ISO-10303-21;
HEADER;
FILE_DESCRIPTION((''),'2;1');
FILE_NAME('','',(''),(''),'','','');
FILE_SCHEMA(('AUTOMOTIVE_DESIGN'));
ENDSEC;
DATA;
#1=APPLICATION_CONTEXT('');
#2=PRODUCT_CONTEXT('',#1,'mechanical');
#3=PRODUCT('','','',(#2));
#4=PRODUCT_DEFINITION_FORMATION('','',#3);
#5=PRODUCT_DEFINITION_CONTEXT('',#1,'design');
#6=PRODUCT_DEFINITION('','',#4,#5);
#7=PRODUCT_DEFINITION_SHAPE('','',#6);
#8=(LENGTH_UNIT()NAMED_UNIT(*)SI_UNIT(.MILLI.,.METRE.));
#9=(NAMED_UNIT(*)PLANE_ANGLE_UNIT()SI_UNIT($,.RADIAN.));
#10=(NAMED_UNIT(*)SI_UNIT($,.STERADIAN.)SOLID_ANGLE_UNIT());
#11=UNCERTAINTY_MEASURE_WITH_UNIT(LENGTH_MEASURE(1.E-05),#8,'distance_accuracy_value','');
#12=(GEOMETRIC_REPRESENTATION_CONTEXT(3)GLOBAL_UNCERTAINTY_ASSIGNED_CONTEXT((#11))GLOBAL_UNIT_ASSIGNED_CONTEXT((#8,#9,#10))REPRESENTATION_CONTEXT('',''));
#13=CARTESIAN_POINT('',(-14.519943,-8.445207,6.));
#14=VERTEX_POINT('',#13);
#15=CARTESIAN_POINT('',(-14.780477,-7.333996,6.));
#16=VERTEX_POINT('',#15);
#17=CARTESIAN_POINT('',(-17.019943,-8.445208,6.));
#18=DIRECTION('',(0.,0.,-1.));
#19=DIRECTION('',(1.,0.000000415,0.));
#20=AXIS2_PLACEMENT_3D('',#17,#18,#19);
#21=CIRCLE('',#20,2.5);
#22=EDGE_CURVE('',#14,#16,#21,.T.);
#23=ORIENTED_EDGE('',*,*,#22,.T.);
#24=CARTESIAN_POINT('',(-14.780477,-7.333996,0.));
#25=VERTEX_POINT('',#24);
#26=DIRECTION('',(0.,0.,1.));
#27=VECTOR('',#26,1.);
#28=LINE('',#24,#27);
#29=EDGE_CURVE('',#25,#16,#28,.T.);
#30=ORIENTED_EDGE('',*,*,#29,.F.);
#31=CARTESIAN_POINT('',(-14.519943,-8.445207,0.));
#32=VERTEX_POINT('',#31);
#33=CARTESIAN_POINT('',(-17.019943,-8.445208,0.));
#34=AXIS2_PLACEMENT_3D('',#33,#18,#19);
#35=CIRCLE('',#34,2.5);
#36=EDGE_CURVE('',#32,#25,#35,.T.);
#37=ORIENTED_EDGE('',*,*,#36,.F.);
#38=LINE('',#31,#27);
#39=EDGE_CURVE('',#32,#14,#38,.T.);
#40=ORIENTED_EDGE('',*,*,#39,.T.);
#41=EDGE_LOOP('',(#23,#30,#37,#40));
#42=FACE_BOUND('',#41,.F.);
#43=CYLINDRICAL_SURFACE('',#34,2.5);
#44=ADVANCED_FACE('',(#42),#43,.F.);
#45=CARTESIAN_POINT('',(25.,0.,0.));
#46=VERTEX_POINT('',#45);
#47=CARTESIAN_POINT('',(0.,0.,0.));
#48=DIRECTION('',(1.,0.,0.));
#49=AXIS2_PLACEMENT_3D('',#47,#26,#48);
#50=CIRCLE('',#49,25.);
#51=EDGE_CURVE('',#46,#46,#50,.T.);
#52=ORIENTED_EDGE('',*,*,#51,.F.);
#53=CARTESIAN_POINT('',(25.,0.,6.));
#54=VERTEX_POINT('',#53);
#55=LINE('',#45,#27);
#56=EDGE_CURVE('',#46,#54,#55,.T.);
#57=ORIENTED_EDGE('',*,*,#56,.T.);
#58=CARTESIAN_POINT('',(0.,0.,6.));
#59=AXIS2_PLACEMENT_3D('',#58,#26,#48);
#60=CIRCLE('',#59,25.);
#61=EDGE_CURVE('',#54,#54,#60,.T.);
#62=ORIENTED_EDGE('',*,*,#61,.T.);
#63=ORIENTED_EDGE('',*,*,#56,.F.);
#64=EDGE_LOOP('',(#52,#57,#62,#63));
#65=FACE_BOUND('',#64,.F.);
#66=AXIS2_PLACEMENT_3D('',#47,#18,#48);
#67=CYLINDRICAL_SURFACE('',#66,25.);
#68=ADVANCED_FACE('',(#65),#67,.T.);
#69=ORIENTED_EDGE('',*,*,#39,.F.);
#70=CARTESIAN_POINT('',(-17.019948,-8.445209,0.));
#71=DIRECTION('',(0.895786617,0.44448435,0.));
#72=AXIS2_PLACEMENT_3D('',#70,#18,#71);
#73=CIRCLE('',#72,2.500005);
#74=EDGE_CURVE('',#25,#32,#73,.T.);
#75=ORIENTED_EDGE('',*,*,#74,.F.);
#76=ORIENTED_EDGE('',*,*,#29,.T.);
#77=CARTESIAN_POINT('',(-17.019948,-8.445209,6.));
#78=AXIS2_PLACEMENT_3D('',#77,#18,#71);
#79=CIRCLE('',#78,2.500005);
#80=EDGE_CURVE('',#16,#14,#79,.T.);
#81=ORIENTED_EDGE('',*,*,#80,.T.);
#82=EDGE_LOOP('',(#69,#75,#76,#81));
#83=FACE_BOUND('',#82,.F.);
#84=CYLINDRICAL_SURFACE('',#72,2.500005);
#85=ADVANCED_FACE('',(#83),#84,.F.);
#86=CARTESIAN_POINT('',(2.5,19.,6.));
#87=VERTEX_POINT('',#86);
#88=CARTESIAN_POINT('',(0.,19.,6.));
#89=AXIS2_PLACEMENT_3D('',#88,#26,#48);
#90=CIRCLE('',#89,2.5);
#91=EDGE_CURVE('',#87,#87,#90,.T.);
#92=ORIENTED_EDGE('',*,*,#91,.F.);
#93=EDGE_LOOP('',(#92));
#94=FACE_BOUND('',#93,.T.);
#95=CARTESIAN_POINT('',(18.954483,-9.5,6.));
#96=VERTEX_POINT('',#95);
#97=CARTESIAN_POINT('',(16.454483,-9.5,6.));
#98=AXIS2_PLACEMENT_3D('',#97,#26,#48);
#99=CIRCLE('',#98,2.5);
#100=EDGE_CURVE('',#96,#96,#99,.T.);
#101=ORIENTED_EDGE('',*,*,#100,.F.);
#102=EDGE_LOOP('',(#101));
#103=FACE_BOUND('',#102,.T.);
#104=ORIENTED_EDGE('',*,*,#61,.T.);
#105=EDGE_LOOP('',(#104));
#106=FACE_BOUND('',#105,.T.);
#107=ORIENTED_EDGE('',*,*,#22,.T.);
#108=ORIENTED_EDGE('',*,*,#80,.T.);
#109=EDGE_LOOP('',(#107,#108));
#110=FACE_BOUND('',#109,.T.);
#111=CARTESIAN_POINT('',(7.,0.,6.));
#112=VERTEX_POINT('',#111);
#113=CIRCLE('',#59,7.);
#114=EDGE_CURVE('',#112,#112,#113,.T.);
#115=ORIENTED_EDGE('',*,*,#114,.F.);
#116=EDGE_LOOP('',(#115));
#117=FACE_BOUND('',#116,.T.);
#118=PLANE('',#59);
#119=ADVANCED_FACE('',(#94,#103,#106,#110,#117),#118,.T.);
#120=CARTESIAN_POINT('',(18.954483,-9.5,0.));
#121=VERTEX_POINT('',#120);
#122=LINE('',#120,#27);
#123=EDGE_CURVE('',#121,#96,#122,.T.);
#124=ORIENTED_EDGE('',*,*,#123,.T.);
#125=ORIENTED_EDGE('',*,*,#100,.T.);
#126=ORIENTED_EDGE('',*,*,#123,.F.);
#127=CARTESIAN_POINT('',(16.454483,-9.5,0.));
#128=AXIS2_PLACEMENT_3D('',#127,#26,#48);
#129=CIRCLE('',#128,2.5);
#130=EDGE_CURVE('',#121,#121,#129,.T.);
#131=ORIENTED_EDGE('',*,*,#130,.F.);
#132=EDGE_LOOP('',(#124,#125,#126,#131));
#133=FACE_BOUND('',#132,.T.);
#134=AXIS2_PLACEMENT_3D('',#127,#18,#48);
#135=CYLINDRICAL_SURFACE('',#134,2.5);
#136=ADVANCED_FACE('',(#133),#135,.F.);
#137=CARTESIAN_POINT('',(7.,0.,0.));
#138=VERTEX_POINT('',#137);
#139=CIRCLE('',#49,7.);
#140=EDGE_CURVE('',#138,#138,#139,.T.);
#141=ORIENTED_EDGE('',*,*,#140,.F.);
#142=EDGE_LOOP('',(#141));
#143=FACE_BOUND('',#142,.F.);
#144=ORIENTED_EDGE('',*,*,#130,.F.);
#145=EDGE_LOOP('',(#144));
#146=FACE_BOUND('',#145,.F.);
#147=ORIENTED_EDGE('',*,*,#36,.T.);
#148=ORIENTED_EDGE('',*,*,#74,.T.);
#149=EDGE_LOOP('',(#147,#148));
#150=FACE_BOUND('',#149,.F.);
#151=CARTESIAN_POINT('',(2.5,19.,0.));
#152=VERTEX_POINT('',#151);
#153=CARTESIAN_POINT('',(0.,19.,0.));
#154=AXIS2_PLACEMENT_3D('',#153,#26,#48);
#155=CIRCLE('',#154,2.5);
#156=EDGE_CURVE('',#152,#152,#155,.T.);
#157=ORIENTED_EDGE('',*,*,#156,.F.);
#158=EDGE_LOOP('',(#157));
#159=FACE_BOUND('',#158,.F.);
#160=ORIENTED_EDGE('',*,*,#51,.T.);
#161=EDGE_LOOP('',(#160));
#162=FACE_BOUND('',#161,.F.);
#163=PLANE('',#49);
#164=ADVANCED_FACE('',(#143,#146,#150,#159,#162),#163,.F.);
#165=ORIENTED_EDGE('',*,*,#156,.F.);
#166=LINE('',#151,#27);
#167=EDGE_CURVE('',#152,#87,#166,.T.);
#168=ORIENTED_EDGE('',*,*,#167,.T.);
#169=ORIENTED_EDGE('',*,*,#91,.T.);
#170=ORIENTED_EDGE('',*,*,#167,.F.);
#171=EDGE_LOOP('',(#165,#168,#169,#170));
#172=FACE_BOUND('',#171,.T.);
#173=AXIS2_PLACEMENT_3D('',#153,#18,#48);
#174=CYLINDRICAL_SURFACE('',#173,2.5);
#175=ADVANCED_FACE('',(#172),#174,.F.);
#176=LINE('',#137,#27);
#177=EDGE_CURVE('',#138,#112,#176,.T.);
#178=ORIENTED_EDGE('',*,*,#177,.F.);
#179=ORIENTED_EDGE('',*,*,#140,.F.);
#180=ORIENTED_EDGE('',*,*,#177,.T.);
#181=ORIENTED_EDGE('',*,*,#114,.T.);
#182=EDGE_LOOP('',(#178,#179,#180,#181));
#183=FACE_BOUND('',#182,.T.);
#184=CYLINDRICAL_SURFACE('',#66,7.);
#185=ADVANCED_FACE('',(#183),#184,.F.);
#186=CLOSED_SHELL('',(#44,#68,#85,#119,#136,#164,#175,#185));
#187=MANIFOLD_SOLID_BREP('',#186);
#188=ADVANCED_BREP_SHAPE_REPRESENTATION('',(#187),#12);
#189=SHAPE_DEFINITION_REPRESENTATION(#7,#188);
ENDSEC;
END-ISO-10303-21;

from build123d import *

# Parameters (mm, degrees)
F0_R     = 25
F0_R_2   = 2.5
F0_R_3   = 7
F1_DEPTH = 6


with BuildPart() as f1:
    # F0 (on Top) → F1 (new body)
    with BuildSketch(Plane.XY):
        Circle(F0_R)
        with BuildLine():
            ThreePointArc((-14.780477, -7.333996), (-14.585948, -7.874535), (-14.519943, -8.445207))
            ThreePointArc((-14.519943, -8.445207), (-19.453939, -9.01588), (-14.780477, -7.333996))
        make_face(mode=Mode.SUBTRACT)
        with Locations((16.454483, -9.5)):
            Circle(F0_R_2, mode=Mode.SUBTRACT)
        Circle(F0_R_3, mode=Mode.SUBTRACT)
        with Locations((0, 19)):
            Circle(F0_R_2, mode=Mode.SUBTRACT)
    extrude(amount=F1_DEPTH)


solid = f1.part
